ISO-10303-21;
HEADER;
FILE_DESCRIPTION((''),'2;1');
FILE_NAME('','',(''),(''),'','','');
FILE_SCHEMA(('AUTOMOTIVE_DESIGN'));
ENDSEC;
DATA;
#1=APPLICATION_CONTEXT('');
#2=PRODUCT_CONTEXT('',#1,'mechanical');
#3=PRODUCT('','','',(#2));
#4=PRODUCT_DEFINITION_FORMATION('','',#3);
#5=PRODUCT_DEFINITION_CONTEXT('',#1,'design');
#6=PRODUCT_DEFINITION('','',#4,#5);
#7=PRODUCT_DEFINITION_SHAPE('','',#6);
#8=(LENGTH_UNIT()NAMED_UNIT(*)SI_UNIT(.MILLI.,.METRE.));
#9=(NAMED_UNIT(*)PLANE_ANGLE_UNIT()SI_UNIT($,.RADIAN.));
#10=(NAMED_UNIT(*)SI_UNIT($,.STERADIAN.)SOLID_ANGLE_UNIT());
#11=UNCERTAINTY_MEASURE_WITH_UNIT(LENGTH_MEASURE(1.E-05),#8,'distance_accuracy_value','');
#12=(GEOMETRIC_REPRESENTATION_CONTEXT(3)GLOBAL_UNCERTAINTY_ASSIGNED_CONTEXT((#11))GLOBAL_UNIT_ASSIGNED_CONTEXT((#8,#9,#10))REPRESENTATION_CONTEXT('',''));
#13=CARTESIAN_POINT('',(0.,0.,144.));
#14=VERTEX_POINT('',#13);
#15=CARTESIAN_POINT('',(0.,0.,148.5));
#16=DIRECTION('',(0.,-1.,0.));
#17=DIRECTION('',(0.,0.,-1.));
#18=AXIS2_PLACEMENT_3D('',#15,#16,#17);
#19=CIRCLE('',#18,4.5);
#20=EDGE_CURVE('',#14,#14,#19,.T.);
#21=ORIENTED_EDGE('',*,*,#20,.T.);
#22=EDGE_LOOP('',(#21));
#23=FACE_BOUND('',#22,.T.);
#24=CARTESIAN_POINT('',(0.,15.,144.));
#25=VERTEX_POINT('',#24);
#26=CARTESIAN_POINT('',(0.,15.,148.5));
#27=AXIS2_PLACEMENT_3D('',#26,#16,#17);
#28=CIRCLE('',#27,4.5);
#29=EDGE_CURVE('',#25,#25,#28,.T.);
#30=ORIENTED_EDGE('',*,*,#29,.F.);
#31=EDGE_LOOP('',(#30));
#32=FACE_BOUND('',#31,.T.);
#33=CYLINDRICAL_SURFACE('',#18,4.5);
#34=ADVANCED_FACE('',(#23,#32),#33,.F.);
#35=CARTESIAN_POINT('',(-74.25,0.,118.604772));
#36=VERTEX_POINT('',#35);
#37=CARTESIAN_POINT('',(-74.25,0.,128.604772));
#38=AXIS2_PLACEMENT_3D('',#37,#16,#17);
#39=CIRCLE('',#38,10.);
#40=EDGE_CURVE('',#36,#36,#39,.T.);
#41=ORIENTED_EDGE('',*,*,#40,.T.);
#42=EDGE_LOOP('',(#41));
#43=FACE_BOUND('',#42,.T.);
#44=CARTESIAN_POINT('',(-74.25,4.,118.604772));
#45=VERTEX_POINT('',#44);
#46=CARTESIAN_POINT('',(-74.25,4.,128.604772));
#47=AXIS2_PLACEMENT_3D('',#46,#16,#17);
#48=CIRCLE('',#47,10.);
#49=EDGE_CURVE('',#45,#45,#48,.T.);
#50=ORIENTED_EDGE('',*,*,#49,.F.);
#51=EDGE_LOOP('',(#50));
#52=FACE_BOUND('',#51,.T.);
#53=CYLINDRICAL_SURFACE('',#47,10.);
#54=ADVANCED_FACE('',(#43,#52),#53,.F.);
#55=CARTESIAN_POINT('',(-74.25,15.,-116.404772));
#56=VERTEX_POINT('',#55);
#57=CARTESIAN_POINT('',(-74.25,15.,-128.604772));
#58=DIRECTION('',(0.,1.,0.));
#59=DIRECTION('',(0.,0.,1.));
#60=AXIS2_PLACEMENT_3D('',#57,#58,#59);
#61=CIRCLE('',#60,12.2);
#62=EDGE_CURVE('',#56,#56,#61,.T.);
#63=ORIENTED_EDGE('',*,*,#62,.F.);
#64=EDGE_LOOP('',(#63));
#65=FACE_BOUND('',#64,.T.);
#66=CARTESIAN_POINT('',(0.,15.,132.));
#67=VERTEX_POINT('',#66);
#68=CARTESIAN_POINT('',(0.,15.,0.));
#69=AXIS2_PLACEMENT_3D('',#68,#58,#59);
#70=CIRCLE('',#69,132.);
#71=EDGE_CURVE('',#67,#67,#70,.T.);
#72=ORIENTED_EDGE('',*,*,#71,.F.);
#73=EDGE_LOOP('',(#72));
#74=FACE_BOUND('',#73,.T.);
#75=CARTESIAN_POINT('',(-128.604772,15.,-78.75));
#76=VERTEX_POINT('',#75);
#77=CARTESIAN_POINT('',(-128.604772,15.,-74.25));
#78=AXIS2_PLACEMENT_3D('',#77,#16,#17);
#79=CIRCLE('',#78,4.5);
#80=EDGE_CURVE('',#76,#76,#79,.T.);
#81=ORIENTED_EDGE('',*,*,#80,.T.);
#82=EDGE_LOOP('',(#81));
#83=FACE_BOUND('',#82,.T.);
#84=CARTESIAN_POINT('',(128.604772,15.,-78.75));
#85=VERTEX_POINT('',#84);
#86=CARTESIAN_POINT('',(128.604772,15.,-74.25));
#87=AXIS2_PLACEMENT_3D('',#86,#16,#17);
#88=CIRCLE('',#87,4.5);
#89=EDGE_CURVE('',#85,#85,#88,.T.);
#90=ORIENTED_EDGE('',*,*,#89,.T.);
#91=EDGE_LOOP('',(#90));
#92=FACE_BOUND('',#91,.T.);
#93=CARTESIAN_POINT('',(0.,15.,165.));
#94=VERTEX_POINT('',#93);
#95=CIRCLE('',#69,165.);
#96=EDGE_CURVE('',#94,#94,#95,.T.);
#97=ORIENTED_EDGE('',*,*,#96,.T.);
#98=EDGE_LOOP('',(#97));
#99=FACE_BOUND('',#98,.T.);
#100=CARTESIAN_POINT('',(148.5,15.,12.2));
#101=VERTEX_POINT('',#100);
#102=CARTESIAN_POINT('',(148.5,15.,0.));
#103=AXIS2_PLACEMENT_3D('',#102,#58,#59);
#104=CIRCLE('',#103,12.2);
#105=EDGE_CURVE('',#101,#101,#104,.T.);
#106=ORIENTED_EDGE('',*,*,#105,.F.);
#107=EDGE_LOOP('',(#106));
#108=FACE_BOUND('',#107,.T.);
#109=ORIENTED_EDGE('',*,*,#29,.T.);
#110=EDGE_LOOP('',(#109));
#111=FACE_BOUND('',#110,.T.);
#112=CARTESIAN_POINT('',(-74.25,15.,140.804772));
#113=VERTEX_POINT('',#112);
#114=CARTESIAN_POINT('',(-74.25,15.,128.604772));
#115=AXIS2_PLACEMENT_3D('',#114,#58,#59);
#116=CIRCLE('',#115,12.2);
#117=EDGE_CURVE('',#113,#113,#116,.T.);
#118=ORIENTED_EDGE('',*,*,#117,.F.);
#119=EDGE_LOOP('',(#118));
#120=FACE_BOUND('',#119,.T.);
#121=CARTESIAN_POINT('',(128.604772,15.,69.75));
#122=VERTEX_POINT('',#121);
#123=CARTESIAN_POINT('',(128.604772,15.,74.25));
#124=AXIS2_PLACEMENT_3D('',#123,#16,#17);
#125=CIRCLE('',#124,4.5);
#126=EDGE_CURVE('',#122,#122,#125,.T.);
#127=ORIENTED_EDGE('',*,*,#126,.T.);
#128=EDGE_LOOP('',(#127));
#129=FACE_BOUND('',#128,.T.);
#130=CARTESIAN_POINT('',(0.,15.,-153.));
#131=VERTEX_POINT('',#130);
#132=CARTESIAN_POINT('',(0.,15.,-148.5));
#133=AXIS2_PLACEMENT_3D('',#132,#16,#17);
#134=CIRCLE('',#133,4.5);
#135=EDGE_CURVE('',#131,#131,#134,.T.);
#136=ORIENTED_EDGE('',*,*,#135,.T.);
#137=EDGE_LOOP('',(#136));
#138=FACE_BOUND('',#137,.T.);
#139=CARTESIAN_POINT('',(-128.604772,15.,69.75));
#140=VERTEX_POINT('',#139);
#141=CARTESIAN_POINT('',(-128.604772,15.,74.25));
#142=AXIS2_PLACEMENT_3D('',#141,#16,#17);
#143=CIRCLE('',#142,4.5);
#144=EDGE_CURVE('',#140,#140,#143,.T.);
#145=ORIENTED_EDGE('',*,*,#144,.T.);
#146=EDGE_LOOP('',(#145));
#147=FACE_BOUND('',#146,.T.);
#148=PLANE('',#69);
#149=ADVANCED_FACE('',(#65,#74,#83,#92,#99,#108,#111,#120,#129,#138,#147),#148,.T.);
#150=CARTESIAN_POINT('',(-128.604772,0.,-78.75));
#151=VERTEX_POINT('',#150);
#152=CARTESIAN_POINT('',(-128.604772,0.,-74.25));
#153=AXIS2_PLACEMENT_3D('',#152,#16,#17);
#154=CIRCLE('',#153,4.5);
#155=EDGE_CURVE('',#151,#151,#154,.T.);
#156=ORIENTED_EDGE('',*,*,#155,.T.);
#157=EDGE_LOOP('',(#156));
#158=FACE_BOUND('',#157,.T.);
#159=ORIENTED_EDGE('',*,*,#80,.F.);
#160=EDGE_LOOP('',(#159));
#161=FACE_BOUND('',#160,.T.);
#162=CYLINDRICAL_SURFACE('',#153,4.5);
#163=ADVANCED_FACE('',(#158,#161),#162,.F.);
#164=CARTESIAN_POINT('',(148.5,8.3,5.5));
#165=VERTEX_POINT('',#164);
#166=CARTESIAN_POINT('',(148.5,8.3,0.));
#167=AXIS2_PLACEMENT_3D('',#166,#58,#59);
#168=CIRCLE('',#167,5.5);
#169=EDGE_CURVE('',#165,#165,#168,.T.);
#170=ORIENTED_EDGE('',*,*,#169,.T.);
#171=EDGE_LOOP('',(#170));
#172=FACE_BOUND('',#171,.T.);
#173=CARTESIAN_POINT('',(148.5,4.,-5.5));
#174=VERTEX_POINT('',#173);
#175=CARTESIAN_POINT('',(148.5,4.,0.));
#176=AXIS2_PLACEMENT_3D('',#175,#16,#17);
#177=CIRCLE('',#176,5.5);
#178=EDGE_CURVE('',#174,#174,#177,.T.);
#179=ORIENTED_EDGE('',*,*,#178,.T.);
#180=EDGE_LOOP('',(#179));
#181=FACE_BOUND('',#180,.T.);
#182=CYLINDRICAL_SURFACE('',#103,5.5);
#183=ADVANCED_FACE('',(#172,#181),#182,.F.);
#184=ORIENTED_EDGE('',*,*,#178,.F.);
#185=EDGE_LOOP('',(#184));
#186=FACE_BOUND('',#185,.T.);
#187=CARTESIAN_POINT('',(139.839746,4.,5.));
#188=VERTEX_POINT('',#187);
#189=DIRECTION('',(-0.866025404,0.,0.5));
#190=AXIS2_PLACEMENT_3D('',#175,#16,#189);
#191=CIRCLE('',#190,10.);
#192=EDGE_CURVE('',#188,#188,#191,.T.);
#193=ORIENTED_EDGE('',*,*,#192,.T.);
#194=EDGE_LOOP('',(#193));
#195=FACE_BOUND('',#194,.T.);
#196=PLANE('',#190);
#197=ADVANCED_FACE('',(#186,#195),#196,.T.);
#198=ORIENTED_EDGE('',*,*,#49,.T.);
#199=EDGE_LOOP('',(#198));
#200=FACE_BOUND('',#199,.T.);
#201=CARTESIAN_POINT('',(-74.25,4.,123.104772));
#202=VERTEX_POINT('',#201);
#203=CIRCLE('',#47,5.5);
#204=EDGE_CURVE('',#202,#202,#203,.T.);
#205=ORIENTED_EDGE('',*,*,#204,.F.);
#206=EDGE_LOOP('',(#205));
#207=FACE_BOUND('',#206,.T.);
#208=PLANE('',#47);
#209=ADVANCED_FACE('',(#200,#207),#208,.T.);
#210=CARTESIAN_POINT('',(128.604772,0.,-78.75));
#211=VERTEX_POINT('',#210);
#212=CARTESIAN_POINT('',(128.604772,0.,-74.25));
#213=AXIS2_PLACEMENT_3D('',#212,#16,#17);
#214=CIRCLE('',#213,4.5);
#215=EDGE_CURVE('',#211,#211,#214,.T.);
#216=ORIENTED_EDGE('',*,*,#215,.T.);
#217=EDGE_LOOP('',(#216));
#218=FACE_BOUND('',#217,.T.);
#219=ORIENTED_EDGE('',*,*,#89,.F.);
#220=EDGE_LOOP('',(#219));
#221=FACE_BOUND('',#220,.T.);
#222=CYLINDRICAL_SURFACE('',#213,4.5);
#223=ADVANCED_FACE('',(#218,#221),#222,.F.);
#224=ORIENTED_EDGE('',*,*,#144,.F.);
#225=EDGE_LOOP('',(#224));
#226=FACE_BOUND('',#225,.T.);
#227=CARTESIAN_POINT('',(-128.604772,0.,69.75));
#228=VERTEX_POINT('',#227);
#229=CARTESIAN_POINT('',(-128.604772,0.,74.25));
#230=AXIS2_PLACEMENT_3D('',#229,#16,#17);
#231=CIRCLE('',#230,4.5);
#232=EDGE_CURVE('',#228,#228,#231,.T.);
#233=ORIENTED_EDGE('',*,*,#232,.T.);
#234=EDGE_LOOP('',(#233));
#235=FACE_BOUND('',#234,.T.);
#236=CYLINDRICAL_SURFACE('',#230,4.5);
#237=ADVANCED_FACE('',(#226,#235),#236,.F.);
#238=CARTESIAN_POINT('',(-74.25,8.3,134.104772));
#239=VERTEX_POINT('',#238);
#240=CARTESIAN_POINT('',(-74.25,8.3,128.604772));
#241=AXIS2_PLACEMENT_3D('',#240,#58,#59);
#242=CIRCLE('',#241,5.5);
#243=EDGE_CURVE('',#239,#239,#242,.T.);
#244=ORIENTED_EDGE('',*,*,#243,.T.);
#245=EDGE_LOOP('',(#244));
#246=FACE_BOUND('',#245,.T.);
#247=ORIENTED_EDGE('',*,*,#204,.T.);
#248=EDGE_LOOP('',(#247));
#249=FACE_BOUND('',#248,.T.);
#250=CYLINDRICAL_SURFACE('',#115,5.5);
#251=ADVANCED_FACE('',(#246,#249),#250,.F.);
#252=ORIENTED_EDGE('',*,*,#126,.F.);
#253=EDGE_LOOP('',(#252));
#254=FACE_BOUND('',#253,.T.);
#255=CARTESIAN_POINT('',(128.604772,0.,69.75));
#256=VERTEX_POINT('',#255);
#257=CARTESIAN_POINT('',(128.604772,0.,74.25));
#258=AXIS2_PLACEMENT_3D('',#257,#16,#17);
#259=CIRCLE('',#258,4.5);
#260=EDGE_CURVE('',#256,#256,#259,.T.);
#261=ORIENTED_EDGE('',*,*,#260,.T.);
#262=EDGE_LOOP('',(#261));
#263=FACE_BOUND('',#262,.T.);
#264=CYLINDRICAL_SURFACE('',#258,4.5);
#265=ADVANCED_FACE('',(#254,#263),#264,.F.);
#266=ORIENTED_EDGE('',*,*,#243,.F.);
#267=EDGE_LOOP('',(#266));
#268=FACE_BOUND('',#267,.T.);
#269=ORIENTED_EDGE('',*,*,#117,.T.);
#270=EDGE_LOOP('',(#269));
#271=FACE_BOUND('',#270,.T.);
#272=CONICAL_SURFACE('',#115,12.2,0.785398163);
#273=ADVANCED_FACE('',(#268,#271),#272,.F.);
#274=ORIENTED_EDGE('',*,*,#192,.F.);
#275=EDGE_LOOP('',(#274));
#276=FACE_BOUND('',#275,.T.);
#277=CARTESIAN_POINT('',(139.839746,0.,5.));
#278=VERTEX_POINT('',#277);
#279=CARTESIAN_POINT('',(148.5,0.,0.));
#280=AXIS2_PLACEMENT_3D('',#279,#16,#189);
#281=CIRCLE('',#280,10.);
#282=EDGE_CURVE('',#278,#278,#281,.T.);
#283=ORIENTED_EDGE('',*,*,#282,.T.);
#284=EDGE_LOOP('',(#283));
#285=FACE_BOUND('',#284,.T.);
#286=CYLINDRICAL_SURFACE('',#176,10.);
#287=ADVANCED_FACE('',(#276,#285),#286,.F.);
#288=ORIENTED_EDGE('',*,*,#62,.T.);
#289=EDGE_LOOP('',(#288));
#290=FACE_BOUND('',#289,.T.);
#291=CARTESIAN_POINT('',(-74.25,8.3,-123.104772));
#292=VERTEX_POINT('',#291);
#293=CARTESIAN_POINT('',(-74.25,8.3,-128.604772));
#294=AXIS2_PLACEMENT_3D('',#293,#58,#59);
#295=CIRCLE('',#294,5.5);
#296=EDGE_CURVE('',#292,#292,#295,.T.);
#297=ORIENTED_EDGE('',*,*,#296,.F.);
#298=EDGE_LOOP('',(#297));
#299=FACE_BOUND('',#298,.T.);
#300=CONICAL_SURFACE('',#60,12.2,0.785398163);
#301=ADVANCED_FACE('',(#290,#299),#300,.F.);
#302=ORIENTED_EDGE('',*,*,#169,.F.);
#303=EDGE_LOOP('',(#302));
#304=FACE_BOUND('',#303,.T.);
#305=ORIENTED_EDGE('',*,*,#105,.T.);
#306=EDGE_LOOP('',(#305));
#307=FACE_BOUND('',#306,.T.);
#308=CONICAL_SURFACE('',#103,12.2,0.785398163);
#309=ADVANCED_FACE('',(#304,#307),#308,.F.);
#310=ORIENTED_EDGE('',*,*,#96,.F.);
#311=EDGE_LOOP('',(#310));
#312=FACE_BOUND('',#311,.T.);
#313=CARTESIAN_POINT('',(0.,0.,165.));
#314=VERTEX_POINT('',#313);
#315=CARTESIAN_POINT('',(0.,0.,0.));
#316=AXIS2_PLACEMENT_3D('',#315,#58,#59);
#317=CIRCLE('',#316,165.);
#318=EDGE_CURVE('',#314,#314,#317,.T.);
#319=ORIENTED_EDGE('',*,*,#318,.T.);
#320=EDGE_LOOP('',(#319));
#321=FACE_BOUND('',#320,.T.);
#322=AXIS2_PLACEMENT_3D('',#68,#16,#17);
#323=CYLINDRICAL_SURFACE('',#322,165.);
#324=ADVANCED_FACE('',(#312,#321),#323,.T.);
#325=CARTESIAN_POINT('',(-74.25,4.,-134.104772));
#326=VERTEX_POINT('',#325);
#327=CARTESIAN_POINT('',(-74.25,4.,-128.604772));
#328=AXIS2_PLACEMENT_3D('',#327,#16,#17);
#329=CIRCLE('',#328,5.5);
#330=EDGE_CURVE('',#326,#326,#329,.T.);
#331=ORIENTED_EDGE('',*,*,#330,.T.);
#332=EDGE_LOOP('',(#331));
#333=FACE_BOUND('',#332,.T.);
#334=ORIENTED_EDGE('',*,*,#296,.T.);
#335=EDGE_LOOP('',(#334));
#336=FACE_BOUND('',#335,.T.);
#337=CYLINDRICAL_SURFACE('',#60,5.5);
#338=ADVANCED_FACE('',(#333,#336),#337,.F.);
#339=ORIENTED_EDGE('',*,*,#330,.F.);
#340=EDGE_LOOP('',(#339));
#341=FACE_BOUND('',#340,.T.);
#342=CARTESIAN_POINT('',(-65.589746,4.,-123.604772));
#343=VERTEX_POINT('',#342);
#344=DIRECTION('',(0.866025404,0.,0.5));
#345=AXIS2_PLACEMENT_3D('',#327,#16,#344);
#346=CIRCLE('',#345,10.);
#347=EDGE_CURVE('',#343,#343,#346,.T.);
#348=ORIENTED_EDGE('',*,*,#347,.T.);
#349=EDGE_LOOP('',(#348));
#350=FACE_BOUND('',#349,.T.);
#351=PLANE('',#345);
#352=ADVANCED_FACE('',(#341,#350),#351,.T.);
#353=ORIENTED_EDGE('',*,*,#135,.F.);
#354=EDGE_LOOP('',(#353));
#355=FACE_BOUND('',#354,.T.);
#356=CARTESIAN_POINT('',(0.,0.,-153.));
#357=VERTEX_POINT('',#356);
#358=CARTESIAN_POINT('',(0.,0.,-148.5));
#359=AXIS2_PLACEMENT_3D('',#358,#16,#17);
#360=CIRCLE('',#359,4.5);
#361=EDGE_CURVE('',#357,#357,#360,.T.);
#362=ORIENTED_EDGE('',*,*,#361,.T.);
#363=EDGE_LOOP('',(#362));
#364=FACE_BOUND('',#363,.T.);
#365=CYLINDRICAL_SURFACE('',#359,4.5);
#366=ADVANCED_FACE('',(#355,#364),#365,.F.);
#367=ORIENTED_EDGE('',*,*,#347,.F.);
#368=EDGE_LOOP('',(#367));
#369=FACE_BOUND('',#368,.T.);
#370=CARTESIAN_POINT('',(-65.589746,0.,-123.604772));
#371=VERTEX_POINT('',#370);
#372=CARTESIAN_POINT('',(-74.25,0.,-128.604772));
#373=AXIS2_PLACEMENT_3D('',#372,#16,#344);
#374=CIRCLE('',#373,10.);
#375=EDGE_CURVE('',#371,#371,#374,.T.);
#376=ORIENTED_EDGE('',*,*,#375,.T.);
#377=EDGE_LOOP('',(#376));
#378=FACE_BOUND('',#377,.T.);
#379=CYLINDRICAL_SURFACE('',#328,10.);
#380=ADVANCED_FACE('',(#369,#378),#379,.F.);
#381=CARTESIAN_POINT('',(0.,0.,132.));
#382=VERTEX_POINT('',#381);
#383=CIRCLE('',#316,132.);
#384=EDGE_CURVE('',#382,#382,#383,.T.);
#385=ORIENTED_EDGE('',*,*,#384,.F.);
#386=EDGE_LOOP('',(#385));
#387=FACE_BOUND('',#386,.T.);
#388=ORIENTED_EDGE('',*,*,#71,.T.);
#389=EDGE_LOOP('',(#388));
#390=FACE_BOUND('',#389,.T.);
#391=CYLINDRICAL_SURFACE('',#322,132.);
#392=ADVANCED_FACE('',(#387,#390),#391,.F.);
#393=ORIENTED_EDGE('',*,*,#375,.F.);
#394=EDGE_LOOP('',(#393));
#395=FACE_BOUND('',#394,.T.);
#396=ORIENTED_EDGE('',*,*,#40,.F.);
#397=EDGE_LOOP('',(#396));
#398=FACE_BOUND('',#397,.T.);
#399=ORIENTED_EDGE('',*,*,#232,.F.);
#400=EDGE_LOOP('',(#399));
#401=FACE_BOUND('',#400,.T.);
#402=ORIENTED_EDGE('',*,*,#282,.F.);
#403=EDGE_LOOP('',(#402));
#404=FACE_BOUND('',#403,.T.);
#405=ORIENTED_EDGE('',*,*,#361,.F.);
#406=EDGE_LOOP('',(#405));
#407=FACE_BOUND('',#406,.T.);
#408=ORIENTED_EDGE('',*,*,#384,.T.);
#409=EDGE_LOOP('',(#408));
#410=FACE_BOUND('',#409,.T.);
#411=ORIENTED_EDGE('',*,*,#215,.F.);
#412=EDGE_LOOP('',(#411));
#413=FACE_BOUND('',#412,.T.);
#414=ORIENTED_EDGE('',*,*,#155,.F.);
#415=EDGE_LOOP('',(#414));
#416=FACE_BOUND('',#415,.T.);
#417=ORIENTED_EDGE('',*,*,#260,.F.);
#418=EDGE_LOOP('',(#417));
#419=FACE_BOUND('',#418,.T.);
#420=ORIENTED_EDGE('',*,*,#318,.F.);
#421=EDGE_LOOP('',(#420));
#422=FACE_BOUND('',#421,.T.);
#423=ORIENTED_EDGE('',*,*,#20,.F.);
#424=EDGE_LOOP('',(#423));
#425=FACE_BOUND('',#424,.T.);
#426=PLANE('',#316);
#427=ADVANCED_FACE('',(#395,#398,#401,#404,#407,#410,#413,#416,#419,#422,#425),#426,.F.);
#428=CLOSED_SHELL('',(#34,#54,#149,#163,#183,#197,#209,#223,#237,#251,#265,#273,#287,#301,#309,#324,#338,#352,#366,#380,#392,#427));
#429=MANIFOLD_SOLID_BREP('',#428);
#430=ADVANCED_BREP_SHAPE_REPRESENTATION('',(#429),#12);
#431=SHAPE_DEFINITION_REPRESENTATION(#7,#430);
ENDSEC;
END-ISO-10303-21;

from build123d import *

# Parameters (mm, degrees)
SKETCH1_R                                            = 165
SKETCH1_R_2                                          = 132
BOSS_EXTRUDE1_DEPTH                                  = 15
M8_CLEARANCE_HOLE1_D                                 = 9
CIRPATTERN1_COUNT                                    = 6
SKETCH4_R                                            = 10
CUT_EXTRUDE1_DEPTH                                   = 4
CSK_FOR_M10_HEX_SOCKET_COUNTERSUNK_CAP_S_D           = 11
CSK_FOR_M10_HEX_SOCKET_COUNTERSUNK_CAP_S_CSINK_D     = 24.4
CSK_FOR_M10_HEX_SOCKET_COUNTERSUNK_CAP_S_CSINK_ANGLE = 90
CIRPATTERN2_COUNT                                    = 3


with BuildPart() as part:
    # Sketch1 → Boss-Extrude1 (new body)
    with BuildSketch(Plane(origin=(0, 0, 0), x_dir=(1, 0, 0), z_dir=(0, 1, 0))):
        Circle(SKETCH1_R)
        Circle(SKETCH1_R_2, mode=Mode.SUBTRACT)
    extrude(amount=BOSS_EXTRUDE1_DEPTH)

    # M8 Clearance Hole1 (through all)
    with Locations(Plane(origin=(0, 0, 0), x_dir=(-1, 0, 0), z_dir=(0, -1, 0))):
        with Locations((0, 148.5)):
            m8_clearance_hole1 = Hole(M8_CLEARANCE_HOLE1_D / 2)

    # CirPattern1: M8 Clearance Hole1 ×6 about axis
    cirpattern1_axis = Axis((0, 0, 0), (0, 1, 0))
    for i in range(1, CIRPATTERN1_COUNT):
        add(m8_clearance_hole1.rotate(cirpattern1_axis, i * 360 / CIRPATTERN1_COUNT), mode=Mode.SUBTRACT)

    # Sketch4 → Cut-Extrude1 (cut)
    with BuildSketch(Plane.XZ):
        with Locations((-74.25, 128.604772462)):
            Circle(SKETCH4_R)
    cut_extrude1 = extrude(amount=-CUT_EXTRUDE1_DEPTH, mode=Mode.SUBTRACT)

    # CSK for M10 Hex Socket Countersunk Cap Screw1 (through all)
    with Locations(Plane(origin=(0, 15, 0), x_dir=(1, 0, 0), z_dir=(0, 1, 0))):
        with Locations((-74.25, -128.604772462)):
            csk_for_m10_hex_socket_countersunk_cap_s = CounterSinkHole(CSK_FOR_M10_HEX_SOCKET_COUNTERSUNK_CAP_S_D / 2, CSK_FOR_M10_HEX_SOCKET_COUNTERSUNK_CAP_S_CSINK_D / 2, counter_sink_angle=CSK_FOR_M10_HEX_SOCKET_COUNTERSUNK_CAP_S_CSINK_ANGLE)

    # CirPattern2: Cut-Extrude1, CSK for M10 Hex Socket Countersunk Cap Screw1 ×3 about axis
    cirpattern2_axis = Axis((0, 0, 0), (0, 1, 0))
    for i in range(1, CIRPATTERN2_COUNT):
        add(cut_extrude1.rotate(cirpattern2_axis, i * 360 / CIRPATTERN2_COUNT), mode=Mode.SUBTRACT)
        add(csk_for_m10_hex_socket_countersunk_cap_s.rotate(cirpattern2_axis, i * 360 / CIRPATTERN2_COUNT), mode=Mode.SUBTRACT)


solid = part.part
